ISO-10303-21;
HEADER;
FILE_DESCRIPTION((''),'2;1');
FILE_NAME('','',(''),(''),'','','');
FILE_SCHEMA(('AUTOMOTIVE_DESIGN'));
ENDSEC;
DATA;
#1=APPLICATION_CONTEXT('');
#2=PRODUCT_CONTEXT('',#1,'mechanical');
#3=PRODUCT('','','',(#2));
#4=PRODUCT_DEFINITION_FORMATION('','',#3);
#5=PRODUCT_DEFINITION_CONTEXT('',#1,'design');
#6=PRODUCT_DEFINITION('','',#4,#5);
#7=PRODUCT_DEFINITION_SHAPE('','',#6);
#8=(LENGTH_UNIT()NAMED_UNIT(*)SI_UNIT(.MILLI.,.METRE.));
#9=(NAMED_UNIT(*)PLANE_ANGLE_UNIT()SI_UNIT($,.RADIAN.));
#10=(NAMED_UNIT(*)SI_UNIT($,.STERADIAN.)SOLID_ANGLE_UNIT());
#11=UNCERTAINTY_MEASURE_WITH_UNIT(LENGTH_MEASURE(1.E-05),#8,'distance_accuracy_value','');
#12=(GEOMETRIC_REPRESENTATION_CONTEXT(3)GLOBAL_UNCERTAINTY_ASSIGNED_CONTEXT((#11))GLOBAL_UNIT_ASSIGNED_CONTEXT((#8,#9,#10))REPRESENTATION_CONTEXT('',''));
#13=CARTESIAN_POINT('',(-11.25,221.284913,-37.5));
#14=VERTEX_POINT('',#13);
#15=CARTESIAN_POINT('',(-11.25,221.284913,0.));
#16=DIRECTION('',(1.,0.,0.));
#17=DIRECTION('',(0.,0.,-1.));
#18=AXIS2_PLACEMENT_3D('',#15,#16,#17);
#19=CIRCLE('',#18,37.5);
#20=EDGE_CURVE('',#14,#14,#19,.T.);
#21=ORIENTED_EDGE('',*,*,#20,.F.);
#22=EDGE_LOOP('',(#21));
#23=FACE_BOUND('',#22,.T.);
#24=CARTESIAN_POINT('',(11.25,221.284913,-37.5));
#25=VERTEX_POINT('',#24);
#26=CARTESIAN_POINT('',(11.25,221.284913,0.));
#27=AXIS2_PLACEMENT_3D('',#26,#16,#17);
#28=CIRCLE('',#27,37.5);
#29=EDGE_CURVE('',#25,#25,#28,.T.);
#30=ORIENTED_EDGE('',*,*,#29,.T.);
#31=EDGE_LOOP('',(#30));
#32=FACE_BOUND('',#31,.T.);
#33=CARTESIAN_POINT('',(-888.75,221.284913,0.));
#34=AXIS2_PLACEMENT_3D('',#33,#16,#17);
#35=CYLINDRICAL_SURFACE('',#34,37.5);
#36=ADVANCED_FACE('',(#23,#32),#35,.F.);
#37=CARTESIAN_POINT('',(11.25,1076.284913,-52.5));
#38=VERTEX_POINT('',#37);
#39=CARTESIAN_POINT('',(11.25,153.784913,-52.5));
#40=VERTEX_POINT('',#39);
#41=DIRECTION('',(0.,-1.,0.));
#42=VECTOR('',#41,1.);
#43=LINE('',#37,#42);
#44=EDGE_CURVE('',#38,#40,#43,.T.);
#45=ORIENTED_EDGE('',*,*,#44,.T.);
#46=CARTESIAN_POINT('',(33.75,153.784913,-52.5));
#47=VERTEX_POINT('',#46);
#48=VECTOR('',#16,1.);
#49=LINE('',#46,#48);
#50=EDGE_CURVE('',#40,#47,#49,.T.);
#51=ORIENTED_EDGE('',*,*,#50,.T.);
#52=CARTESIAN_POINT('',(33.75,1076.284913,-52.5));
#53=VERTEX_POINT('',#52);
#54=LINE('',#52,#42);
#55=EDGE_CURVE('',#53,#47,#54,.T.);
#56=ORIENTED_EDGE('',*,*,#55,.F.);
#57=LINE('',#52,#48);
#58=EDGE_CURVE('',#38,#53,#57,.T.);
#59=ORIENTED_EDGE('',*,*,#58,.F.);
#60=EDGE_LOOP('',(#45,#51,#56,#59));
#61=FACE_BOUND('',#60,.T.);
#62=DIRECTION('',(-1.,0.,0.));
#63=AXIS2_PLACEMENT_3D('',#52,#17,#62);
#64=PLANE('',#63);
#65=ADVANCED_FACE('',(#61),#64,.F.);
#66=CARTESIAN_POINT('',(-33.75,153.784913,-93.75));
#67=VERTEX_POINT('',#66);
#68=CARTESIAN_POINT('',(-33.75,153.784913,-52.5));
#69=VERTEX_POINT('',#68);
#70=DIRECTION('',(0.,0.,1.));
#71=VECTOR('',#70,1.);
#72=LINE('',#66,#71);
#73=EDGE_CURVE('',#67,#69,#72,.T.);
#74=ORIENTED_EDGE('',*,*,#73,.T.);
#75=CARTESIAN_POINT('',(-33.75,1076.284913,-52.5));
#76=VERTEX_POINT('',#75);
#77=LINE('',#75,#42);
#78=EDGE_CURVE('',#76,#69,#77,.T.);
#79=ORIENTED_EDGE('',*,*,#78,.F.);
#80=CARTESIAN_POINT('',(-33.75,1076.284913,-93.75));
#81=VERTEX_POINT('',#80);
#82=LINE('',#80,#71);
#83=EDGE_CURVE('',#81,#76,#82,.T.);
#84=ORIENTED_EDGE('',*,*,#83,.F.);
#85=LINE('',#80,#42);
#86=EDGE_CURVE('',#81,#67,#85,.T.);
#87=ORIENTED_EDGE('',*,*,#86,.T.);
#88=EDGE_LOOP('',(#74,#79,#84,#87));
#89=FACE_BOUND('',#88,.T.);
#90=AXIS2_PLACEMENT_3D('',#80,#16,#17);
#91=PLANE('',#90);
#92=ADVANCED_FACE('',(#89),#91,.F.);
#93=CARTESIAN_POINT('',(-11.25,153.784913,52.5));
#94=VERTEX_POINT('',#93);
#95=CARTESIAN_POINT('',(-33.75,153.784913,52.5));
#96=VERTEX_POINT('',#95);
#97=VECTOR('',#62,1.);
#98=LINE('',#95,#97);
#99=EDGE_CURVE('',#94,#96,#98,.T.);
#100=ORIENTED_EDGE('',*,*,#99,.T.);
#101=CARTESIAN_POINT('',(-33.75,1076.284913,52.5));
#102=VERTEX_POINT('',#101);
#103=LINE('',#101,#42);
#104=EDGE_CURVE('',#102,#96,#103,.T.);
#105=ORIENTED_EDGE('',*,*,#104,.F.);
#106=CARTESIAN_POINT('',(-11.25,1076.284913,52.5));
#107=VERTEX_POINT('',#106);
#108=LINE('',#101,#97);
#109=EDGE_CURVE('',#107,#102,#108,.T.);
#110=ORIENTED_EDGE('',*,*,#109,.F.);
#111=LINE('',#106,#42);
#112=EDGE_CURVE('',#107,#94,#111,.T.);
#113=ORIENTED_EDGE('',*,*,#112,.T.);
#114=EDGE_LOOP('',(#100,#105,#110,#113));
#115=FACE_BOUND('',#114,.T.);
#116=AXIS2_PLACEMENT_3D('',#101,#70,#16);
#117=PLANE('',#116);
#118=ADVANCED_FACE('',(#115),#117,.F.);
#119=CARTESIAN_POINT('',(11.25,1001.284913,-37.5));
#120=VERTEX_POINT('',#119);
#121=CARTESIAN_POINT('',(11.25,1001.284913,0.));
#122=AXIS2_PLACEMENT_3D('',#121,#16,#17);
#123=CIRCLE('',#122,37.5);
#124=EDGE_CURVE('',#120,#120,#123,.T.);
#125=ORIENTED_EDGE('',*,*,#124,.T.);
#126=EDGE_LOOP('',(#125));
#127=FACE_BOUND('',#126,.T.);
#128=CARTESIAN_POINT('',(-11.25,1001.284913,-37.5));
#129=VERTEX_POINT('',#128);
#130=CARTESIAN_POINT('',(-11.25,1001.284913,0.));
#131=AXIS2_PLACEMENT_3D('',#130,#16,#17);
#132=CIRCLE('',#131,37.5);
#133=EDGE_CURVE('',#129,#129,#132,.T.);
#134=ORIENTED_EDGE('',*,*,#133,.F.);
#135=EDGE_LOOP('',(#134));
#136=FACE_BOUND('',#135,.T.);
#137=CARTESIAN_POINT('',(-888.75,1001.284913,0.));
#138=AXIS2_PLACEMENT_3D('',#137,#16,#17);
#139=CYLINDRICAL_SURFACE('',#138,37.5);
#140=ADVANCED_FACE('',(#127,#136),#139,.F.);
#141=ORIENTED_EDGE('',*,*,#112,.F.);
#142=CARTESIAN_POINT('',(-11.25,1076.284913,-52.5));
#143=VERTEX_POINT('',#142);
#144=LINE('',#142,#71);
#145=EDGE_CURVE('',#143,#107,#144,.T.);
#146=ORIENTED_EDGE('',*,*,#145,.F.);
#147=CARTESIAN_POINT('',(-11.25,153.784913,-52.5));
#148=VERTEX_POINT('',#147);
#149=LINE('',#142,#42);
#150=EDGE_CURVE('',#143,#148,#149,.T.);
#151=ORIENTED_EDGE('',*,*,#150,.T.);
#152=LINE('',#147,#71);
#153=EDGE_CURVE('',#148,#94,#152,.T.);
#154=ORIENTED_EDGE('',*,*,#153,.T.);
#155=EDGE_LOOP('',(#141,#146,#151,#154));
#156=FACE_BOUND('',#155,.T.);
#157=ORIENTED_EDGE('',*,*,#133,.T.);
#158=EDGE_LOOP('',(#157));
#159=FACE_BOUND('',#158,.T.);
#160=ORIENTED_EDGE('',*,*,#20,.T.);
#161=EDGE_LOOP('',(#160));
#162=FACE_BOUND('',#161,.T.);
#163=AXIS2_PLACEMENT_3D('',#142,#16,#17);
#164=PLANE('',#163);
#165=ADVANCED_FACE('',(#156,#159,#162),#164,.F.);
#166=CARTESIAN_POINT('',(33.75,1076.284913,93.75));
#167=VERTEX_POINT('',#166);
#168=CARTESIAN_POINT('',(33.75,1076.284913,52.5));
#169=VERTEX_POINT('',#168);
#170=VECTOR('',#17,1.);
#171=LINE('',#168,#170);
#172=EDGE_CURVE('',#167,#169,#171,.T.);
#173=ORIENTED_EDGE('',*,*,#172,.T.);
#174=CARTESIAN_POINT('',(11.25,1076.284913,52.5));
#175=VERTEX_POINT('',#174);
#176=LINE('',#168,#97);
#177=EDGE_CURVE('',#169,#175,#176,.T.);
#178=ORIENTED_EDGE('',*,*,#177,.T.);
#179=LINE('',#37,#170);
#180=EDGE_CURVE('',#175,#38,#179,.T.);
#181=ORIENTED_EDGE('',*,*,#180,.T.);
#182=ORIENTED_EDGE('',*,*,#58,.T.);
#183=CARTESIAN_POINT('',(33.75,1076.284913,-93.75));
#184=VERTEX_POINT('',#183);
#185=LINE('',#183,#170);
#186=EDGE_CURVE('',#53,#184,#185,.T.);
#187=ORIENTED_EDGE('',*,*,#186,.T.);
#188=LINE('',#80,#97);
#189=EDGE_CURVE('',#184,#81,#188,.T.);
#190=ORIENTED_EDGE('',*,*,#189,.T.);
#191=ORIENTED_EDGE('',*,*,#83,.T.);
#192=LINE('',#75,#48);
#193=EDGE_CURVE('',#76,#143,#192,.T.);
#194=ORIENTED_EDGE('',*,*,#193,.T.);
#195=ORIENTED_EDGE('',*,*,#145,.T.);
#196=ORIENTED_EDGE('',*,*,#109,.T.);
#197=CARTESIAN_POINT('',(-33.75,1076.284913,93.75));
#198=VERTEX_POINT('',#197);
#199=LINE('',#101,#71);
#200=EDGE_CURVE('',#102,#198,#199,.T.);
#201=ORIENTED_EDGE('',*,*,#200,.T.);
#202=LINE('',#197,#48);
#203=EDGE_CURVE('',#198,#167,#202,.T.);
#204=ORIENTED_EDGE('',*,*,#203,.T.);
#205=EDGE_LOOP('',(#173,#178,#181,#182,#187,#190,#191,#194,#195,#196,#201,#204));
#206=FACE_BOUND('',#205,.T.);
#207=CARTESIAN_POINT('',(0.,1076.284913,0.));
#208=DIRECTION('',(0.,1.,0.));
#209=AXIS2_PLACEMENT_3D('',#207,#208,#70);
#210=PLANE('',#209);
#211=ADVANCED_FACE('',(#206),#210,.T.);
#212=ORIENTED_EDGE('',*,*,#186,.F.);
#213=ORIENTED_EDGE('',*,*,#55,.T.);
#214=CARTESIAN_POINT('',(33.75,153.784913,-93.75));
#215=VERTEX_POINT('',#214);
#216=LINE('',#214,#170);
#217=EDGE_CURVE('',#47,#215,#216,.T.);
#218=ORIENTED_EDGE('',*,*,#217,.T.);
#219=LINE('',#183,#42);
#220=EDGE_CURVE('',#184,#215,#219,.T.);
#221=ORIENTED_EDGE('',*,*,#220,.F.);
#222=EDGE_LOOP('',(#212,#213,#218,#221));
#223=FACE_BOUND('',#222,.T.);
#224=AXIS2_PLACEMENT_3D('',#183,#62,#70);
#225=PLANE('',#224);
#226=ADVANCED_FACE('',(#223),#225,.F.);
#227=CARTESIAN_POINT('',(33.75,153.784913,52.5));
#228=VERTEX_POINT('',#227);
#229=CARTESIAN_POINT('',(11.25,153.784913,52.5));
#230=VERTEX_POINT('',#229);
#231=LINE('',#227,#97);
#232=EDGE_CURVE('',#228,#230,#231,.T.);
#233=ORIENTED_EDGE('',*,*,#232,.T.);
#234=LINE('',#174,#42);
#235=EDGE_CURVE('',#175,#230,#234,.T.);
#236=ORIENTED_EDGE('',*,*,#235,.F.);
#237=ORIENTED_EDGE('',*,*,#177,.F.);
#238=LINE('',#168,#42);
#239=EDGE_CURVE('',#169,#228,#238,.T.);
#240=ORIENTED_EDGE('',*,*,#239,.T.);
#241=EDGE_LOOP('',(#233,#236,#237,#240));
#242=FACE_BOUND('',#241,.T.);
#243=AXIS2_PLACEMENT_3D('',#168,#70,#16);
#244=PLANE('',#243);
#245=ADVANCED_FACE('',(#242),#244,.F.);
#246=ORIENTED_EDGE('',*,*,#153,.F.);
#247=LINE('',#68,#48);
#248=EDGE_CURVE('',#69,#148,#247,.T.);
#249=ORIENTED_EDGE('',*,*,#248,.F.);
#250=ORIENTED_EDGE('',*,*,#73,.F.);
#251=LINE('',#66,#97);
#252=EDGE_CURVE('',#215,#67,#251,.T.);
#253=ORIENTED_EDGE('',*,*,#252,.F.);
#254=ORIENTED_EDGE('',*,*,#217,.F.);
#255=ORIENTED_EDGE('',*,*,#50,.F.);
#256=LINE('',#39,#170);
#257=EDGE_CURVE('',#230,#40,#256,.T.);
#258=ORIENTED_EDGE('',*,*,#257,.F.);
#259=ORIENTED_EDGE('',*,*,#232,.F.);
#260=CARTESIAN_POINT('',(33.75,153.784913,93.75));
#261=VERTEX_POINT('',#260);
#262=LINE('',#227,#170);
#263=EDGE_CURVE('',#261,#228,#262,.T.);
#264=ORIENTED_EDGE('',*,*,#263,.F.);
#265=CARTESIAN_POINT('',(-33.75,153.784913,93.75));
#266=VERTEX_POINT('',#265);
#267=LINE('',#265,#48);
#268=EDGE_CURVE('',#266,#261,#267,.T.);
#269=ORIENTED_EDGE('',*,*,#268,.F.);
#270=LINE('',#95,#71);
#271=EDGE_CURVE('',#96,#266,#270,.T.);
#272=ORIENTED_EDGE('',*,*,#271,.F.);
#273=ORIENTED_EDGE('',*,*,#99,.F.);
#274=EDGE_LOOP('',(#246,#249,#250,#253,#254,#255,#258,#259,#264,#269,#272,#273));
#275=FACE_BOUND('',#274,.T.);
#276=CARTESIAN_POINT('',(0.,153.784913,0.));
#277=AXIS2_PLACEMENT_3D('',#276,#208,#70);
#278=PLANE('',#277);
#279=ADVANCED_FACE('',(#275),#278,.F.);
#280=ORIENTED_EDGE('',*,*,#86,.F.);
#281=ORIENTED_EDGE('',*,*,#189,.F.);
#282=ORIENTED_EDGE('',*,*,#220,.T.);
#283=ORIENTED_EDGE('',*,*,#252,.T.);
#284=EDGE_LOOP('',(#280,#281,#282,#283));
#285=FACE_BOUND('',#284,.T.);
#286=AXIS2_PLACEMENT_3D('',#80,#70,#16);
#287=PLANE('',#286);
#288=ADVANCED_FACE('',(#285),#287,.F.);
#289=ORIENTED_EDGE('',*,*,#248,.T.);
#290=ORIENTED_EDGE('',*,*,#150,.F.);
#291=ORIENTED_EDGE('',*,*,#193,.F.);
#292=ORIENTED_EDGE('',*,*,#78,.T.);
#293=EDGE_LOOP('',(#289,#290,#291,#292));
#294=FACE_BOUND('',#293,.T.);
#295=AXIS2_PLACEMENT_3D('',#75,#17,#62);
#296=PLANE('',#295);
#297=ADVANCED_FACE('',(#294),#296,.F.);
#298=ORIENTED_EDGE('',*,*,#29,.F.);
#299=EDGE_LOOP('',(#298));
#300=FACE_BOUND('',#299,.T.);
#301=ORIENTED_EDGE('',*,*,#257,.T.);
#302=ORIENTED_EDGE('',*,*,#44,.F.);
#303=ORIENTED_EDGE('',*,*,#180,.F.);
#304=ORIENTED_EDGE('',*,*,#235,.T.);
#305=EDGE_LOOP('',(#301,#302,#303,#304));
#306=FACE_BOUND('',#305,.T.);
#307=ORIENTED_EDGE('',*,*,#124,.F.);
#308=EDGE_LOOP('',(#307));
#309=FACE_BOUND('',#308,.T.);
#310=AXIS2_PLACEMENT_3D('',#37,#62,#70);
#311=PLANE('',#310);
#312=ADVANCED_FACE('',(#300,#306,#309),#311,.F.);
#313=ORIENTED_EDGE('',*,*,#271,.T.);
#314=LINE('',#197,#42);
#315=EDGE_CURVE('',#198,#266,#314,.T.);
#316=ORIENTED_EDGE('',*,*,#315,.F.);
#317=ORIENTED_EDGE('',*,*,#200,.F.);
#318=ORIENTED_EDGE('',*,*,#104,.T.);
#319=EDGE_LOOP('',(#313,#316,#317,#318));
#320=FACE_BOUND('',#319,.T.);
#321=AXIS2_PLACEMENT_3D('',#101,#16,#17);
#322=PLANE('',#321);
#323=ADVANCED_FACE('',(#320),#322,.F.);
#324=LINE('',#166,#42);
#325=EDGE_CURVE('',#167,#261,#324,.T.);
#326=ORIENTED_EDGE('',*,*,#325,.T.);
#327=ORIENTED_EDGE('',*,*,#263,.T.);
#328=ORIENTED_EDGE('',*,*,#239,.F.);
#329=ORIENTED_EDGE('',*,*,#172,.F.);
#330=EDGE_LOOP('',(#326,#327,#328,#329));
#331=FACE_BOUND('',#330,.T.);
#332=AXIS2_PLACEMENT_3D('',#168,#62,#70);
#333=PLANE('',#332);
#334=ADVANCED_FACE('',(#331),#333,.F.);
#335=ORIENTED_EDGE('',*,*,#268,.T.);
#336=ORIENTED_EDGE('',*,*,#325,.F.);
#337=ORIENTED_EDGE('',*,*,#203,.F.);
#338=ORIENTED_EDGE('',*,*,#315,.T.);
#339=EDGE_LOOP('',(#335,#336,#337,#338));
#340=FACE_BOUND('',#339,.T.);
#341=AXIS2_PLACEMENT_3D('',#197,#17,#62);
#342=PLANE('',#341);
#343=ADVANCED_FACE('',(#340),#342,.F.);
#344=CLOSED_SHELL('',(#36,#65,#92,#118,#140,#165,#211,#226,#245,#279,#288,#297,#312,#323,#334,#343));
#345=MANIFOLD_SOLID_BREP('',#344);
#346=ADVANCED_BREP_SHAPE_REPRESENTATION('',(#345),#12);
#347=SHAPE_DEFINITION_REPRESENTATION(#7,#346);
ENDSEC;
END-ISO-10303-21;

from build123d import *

# Parameters (mm, degrees)
BOSS_EXTRUDE1_DEPTH = 1230
SKETCH2_R           = 50
CUT_EXTRUDE1_DEPTH  = 1200
SKETCH3_R           = 50
CUT_EXTRUDE2_DEPTH  = 1200
SCALE1_SCALE        = 0.75


with BuildPart() as part:
    # Sketch1 → Boss-Extrude1 (new body)
    with BuildSketch(Plane(origin=(0, 0, 0), x_dir=(1, 0, 0), z_dir=(0, 1, 0))):
        Polygon((-45, -70), (-45, -125), (45, -125), (45, -70), (15, -70), (15, 70), (45, 70), (45, 125), (-45, 125), (-45, 70), (-15, 70), (-15, -70), align=None)
    extrude(amount=BOSS_EXTRUDE1_DEPTH)

    # Sketch2 → Cut-Extrude1 (cut)
    with BuildSketch(Plane(origin=(15, 0, 0), x_dir=(0, 0, -1), z_dir=(1, 0, 0))):
        with Locations((0, 90)):
            Circle(SKETCH2_R)
    extrude(amount=-CUT_EXTRUDE1_DEPTH, mode=Mode.SUBTRACT)

    # Sketch3 → Cut-Extrude2 (cut)
    with BuildSketch(Plane(origin=(15, 0, 0), x_dir=(0, 0, -1), z_dir=(1, 0, 0))):
        with Locations((0, 1130)):
            Circle(SKETCH3_R)
    extrude(amount=-CUT_EXTRUDE2_DEPTH, mode=Mode.SUBTRACT)


with BuildPart() as part_1:
    # Scale1: scaled about (0, 615.139653144, 0)
    add(part.part.scale(SCALE1_SCALE).moved(Location((0, 153.784913286, 0))))


solid = part_1.part
